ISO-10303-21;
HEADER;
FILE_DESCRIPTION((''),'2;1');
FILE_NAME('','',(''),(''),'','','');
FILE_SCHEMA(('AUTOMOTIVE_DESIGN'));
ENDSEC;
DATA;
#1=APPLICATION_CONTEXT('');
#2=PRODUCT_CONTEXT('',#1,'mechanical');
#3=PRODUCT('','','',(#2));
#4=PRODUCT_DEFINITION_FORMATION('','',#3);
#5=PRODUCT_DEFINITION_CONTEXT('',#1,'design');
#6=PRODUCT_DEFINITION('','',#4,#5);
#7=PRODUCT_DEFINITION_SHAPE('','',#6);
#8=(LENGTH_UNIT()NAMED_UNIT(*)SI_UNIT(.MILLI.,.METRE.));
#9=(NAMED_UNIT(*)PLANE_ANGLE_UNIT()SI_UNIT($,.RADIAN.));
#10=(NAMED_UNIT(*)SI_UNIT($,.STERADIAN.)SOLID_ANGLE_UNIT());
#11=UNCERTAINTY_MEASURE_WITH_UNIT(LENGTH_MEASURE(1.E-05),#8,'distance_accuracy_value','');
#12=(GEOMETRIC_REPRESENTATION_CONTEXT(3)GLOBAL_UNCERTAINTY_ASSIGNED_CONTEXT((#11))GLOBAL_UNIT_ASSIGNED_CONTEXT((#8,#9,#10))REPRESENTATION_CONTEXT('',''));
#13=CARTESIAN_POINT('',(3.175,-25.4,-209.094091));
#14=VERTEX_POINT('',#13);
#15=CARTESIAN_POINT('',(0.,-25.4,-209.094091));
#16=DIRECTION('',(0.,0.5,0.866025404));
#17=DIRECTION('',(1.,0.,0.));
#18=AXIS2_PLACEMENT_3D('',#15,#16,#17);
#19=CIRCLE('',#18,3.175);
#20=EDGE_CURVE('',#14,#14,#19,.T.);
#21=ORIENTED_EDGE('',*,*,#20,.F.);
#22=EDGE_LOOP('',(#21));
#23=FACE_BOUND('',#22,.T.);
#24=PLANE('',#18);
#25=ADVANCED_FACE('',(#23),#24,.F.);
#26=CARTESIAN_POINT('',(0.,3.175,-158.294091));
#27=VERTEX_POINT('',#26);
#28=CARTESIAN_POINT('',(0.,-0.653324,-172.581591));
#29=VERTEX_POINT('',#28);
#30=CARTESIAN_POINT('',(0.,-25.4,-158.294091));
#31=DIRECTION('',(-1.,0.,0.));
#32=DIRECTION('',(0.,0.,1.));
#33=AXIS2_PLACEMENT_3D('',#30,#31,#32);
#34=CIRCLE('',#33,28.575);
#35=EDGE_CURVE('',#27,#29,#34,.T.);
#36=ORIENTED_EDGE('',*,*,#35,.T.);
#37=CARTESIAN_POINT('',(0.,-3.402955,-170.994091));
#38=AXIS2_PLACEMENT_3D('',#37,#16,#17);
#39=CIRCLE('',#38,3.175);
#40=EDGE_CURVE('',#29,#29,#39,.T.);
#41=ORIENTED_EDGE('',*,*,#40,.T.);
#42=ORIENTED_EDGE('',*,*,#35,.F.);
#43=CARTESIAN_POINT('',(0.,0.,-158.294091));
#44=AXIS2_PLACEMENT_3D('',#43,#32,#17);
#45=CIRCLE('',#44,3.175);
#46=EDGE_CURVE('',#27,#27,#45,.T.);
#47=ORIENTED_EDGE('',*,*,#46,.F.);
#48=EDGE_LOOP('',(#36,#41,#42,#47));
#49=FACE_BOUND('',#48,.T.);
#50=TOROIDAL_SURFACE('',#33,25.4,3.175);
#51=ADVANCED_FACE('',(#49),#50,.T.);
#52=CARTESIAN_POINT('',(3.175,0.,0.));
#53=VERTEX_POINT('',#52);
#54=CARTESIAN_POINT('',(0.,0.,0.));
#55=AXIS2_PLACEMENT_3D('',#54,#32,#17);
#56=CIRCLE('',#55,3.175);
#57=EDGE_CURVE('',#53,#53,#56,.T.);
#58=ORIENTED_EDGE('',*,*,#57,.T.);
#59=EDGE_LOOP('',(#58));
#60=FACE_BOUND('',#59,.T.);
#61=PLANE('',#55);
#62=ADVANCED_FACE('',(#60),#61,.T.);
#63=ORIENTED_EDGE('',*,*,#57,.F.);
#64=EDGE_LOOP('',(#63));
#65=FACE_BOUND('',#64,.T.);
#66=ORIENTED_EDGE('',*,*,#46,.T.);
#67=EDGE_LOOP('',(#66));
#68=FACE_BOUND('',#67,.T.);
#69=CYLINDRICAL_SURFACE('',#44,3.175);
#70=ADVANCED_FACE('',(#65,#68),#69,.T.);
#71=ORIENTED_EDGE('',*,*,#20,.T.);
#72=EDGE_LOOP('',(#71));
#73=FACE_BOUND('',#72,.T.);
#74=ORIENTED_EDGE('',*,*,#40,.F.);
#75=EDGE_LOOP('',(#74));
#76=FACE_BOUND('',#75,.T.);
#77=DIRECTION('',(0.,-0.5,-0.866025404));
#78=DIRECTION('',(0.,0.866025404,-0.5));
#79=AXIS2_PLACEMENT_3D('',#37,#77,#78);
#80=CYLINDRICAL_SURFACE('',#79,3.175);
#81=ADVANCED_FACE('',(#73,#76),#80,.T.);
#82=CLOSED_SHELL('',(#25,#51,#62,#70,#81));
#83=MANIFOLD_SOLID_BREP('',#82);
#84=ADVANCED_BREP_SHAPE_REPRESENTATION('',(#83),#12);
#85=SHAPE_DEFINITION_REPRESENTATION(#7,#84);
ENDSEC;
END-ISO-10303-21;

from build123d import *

# Parameters (mm, degrees)
SKETCH2_R = 3.175


with BuildPart() as part:
    # Sweep1: sweep along a path in Sketch4
    with BuildLine(Plane(origin=(0, 0, 0), x_dir=(0, 0, -1), z_dir=(1, 0, 0))) as sweep1_path:
        Line((0, 0), (158.294090512, 0))
        ThreePointArc((158.294090512, 0), (164.868094258, -0.865484012), (170.994090512, -3.402954744))
        Line((170.994090512, -3.402954744), (209.094090512, -25.4))
    # Sketch2 → Sweep1 (sweep)
    with BuildSketch(Plane.XY):
        Circle(SKETCH2_R)
    sweep(path=sweep1_path.line)


solid = part.part
